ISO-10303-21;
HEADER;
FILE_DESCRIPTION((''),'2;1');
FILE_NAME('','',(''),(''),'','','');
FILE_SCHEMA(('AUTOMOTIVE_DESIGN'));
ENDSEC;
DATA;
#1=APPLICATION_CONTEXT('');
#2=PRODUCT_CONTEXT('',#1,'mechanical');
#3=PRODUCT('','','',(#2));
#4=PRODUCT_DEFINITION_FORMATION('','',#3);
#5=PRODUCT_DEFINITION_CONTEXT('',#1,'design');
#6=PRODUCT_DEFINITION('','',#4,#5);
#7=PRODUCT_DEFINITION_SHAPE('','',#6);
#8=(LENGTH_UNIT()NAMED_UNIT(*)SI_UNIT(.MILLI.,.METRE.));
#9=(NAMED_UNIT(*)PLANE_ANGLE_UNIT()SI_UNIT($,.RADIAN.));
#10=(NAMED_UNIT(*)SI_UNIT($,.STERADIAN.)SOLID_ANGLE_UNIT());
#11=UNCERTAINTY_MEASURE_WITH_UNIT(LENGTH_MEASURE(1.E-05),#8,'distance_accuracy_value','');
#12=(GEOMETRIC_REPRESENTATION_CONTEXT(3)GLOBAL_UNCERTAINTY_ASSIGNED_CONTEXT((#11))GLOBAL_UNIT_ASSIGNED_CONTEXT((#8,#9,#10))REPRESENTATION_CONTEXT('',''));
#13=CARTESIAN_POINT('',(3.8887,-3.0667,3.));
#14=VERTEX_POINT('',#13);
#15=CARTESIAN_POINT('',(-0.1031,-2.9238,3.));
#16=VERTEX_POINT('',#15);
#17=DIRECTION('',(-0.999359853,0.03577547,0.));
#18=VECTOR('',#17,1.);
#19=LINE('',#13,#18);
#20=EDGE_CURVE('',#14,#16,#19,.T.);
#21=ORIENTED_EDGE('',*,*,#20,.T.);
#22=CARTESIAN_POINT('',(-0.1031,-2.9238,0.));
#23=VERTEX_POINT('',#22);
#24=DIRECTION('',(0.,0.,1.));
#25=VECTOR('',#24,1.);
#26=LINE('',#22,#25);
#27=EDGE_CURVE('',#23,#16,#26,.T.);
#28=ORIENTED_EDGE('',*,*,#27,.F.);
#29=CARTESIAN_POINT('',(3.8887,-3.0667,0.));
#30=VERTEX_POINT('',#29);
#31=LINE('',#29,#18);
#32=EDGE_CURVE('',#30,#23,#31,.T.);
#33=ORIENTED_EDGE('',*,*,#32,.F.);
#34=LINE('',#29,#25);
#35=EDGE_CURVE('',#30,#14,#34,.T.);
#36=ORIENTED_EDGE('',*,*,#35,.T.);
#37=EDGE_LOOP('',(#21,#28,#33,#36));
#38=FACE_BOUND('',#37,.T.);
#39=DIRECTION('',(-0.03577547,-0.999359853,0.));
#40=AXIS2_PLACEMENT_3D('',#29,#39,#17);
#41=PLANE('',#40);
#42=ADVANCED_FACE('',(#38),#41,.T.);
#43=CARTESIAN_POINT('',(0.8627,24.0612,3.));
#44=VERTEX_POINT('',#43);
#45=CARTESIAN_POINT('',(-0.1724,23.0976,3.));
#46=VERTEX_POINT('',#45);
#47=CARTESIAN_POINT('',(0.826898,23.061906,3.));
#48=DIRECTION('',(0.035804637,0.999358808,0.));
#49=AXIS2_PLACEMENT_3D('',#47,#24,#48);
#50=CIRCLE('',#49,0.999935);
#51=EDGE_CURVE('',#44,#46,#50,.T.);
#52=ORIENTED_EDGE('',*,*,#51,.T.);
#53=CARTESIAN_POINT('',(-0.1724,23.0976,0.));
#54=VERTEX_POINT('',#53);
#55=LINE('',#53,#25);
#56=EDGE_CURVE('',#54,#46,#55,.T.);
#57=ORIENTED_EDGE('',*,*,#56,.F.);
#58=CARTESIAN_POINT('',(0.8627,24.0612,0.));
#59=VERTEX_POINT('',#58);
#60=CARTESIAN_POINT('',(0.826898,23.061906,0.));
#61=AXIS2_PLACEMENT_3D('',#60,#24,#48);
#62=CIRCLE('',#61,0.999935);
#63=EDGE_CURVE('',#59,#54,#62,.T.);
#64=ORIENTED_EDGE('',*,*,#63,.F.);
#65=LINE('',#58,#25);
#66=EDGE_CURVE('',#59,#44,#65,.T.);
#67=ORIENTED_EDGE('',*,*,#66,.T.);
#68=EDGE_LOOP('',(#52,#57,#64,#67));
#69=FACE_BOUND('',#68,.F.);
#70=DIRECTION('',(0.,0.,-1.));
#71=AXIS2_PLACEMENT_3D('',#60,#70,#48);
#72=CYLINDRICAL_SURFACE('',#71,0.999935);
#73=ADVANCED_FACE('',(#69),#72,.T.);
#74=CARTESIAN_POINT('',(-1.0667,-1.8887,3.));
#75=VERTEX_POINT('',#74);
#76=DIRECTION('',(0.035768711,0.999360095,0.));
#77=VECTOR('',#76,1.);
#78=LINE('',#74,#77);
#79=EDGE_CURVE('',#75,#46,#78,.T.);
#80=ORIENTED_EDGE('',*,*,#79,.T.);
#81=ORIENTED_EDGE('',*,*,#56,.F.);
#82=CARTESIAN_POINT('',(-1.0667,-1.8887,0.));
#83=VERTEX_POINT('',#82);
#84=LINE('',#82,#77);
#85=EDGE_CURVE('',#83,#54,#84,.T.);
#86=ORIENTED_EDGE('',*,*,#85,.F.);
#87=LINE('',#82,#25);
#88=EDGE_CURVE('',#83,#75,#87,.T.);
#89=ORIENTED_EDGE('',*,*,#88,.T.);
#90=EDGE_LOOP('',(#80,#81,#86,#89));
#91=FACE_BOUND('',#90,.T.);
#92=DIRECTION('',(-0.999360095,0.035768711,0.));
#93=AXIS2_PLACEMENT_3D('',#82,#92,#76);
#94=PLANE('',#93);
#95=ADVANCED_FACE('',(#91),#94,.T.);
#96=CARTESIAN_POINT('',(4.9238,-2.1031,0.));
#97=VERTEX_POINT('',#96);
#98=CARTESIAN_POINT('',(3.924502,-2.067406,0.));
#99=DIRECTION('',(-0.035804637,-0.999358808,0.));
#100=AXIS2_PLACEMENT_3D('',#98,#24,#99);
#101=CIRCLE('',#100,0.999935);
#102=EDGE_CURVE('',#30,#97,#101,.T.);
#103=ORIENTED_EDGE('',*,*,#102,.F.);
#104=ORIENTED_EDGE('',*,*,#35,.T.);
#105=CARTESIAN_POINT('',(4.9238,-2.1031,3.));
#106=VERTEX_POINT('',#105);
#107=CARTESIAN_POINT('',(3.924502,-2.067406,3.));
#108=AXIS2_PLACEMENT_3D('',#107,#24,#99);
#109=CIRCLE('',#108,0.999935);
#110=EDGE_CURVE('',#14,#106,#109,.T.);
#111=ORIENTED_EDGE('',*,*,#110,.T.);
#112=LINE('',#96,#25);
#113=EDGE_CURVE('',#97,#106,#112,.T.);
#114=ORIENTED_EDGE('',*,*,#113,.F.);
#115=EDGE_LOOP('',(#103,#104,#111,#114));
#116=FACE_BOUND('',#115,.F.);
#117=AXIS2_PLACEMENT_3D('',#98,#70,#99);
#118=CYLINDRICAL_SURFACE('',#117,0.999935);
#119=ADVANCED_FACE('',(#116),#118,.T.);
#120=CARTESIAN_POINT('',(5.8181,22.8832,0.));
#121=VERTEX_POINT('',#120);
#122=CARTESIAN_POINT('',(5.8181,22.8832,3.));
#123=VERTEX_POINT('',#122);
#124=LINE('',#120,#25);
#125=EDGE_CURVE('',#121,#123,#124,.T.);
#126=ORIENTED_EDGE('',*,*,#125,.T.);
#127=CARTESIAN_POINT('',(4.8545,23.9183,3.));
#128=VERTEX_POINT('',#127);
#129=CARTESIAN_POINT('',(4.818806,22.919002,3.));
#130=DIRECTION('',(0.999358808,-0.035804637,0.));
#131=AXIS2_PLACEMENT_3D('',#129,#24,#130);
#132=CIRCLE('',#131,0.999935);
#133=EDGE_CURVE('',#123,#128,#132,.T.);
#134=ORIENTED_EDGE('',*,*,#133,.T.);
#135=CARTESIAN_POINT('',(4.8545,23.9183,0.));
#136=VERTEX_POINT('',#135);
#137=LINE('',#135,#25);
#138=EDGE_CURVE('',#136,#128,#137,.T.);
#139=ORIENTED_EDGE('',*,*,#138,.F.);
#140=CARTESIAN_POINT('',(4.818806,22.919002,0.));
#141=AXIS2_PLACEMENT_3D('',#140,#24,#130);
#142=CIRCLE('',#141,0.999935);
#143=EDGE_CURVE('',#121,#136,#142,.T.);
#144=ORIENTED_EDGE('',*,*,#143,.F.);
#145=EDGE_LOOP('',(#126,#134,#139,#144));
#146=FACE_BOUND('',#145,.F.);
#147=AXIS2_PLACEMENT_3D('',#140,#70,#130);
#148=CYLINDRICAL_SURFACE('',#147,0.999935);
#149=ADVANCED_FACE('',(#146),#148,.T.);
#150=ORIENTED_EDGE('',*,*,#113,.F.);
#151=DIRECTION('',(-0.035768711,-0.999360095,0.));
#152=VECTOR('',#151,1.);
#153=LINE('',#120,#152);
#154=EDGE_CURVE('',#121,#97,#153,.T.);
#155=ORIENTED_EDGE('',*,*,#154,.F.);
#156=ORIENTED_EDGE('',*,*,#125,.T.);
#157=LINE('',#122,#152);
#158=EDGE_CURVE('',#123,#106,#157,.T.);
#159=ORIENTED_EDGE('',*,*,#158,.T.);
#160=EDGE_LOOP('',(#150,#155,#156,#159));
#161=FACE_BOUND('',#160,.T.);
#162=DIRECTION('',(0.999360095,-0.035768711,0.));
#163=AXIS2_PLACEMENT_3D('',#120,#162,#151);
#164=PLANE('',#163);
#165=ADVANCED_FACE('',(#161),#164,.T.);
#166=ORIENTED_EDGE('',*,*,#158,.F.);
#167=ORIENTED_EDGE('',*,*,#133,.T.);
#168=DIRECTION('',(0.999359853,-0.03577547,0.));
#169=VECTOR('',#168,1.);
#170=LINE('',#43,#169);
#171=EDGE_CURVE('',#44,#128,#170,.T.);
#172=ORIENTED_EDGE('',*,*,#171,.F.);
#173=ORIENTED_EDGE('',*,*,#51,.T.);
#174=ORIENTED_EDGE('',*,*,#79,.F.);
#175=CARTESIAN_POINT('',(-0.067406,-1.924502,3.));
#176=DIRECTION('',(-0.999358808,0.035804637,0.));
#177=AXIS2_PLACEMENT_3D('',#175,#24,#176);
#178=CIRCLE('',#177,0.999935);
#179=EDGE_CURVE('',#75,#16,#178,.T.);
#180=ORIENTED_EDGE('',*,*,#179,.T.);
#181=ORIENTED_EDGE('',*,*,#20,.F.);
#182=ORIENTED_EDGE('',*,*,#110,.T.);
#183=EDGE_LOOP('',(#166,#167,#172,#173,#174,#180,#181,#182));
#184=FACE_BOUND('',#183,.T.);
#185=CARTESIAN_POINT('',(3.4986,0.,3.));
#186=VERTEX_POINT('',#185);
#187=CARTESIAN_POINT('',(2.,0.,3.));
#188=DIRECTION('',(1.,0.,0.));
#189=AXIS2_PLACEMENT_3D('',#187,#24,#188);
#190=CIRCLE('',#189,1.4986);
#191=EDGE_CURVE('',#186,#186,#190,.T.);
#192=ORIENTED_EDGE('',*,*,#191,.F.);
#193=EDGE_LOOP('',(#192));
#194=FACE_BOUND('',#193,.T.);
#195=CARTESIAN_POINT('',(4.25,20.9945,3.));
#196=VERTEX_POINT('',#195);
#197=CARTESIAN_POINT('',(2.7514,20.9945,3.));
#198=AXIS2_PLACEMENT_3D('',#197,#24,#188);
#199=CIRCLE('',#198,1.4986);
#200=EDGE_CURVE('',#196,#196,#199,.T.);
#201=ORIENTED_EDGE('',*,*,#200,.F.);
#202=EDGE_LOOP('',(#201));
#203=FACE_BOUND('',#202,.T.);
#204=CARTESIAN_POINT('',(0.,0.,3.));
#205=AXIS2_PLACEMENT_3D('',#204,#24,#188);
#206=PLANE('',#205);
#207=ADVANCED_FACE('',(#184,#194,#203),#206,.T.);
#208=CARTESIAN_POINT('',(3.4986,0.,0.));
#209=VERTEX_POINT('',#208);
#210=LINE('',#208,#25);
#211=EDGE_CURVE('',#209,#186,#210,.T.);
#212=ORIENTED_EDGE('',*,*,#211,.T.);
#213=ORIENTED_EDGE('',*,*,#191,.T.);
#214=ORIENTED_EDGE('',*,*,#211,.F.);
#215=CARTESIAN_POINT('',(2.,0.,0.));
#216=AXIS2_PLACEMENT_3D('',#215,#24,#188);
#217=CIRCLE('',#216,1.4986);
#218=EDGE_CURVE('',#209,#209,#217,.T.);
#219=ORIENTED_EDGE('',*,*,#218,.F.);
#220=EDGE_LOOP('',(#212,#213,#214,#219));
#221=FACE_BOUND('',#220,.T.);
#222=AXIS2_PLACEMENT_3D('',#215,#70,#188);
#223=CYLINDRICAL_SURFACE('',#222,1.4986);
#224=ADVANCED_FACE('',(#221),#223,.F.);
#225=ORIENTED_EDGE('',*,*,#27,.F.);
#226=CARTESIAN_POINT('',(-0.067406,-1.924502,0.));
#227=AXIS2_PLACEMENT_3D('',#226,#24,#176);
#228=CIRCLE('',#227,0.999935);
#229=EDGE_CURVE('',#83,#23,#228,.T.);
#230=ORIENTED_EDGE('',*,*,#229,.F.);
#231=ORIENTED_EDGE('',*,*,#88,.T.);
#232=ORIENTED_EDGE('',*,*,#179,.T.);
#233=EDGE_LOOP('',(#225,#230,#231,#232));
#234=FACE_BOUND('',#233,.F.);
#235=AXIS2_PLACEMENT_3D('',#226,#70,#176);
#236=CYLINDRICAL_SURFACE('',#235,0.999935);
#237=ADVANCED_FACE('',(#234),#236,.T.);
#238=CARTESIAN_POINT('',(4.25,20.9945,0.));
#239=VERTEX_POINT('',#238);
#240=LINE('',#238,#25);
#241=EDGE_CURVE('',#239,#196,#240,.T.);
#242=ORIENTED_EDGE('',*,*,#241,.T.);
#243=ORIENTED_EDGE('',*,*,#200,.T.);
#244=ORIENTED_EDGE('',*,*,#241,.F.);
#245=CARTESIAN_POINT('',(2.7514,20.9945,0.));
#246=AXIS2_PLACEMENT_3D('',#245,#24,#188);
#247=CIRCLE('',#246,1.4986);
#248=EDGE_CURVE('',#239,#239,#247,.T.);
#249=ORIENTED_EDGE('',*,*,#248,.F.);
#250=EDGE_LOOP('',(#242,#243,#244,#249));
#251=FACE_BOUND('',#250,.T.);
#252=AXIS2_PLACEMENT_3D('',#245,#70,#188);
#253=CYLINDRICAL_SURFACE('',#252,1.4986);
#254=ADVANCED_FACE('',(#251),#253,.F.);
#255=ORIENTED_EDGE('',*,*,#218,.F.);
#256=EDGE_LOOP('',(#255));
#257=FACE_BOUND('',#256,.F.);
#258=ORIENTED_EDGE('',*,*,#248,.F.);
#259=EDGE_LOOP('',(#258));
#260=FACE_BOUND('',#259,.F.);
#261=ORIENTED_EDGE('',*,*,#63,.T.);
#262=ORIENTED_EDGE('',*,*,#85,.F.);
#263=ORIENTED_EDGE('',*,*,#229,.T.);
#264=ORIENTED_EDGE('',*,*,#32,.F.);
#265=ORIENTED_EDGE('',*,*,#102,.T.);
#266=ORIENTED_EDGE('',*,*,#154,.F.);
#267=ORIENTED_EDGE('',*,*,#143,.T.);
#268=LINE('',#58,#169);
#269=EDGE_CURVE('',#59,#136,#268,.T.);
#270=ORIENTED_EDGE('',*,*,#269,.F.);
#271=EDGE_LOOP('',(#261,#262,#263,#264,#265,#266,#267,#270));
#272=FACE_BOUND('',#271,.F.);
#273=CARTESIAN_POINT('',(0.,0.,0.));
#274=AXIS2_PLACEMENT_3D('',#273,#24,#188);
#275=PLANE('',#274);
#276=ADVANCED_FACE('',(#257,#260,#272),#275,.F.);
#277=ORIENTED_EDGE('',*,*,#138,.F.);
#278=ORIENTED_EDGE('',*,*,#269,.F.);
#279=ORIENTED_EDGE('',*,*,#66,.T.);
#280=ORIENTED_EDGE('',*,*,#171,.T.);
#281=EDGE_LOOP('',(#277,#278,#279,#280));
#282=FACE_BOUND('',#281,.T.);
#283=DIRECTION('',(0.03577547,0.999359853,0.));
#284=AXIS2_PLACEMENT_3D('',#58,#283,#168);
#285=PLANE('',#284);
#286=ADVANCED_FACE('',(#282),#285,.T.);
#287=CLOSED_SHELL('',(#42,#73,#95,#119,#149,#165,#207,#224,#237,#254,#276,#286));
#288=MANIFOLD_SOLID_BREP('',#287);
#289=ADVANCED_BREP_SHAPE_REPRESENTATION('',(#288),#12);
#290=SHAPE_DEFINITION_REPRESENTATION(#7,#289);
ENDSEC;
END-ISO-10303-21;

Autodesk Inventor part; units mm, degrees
ref_plane "YZ Plane" through (0, 0, 0) normal (1, 0, 0) x (0, 1, 0)
ref_plane "XZ Plane" through (0, 0, 0) normal (0, 1, 0) x (-1, 0, 0)
ref_plane "XY Plane" through (0, 0, 0) normal (0, 0, 1) x (1, 0, 0)
sketch "Sketch1" plane through (0, 0, 0) normal (0, 0, 1) x (1, 0, 0)
  line L0 (-1.0667, -1.8887) -> (-0.1724, 23.0976)
  line L1 (0.8627, 24.0612) -> (4.8545, 23.9183)
  line L2 (5.8181, 22.8832) -> (4.9238, -2.1031)
  line L3 (3.8887, -3.0667) -> (-0.1031, -2.9238)
  circle A0 centre (2, 0) radius 1.4986
  circle A1 centre (2.7514, 20.9945) radius 1.4986
  circle A2 centre (2.7514, 20.9945) radius 1.4986 projected
  circle A3 centre (2, 0) radius 1.4986 projected
  arc A4 (-1.0667, -1.8887) -> (-0.1031, -2.9238) centre (-0.0674, -1.9245) ccw
  arc A5 (3.8887, -3.0667) -> (4.9238, -2.1031) centre (3.9245, -2.0674) ccw
  arc A6 (5.8181, 22.8832) -> (4.8545, 23.9183) centre (4.8188, 22.919) ccw
  arc A7 (0.8627, 24.0612) -> (-0.1724, 23.0976) centre (0.8269, 23.0619) ccw
  point P0 (0, 0)
  dimension "d0" = 5.9944
  dimension "d1" = 2.9972
  dimension "d2" = 2.9972
  dimension "d3" = 2.9972
  dimension "d4" = 2.9972
  dimension "d6" = 2.9972
  dimension "d7" = 2.9972
  dimension "d8" = 1
extrude "Extrusion1" add sketch "Sketch1" along normal blind 3
equation "\"d2\" = d1"
equation "\"d3\" = d2"
equation "\"d4\" = d2"
equation "\"d6\" = d1"
properties part number "Connector Boi"
